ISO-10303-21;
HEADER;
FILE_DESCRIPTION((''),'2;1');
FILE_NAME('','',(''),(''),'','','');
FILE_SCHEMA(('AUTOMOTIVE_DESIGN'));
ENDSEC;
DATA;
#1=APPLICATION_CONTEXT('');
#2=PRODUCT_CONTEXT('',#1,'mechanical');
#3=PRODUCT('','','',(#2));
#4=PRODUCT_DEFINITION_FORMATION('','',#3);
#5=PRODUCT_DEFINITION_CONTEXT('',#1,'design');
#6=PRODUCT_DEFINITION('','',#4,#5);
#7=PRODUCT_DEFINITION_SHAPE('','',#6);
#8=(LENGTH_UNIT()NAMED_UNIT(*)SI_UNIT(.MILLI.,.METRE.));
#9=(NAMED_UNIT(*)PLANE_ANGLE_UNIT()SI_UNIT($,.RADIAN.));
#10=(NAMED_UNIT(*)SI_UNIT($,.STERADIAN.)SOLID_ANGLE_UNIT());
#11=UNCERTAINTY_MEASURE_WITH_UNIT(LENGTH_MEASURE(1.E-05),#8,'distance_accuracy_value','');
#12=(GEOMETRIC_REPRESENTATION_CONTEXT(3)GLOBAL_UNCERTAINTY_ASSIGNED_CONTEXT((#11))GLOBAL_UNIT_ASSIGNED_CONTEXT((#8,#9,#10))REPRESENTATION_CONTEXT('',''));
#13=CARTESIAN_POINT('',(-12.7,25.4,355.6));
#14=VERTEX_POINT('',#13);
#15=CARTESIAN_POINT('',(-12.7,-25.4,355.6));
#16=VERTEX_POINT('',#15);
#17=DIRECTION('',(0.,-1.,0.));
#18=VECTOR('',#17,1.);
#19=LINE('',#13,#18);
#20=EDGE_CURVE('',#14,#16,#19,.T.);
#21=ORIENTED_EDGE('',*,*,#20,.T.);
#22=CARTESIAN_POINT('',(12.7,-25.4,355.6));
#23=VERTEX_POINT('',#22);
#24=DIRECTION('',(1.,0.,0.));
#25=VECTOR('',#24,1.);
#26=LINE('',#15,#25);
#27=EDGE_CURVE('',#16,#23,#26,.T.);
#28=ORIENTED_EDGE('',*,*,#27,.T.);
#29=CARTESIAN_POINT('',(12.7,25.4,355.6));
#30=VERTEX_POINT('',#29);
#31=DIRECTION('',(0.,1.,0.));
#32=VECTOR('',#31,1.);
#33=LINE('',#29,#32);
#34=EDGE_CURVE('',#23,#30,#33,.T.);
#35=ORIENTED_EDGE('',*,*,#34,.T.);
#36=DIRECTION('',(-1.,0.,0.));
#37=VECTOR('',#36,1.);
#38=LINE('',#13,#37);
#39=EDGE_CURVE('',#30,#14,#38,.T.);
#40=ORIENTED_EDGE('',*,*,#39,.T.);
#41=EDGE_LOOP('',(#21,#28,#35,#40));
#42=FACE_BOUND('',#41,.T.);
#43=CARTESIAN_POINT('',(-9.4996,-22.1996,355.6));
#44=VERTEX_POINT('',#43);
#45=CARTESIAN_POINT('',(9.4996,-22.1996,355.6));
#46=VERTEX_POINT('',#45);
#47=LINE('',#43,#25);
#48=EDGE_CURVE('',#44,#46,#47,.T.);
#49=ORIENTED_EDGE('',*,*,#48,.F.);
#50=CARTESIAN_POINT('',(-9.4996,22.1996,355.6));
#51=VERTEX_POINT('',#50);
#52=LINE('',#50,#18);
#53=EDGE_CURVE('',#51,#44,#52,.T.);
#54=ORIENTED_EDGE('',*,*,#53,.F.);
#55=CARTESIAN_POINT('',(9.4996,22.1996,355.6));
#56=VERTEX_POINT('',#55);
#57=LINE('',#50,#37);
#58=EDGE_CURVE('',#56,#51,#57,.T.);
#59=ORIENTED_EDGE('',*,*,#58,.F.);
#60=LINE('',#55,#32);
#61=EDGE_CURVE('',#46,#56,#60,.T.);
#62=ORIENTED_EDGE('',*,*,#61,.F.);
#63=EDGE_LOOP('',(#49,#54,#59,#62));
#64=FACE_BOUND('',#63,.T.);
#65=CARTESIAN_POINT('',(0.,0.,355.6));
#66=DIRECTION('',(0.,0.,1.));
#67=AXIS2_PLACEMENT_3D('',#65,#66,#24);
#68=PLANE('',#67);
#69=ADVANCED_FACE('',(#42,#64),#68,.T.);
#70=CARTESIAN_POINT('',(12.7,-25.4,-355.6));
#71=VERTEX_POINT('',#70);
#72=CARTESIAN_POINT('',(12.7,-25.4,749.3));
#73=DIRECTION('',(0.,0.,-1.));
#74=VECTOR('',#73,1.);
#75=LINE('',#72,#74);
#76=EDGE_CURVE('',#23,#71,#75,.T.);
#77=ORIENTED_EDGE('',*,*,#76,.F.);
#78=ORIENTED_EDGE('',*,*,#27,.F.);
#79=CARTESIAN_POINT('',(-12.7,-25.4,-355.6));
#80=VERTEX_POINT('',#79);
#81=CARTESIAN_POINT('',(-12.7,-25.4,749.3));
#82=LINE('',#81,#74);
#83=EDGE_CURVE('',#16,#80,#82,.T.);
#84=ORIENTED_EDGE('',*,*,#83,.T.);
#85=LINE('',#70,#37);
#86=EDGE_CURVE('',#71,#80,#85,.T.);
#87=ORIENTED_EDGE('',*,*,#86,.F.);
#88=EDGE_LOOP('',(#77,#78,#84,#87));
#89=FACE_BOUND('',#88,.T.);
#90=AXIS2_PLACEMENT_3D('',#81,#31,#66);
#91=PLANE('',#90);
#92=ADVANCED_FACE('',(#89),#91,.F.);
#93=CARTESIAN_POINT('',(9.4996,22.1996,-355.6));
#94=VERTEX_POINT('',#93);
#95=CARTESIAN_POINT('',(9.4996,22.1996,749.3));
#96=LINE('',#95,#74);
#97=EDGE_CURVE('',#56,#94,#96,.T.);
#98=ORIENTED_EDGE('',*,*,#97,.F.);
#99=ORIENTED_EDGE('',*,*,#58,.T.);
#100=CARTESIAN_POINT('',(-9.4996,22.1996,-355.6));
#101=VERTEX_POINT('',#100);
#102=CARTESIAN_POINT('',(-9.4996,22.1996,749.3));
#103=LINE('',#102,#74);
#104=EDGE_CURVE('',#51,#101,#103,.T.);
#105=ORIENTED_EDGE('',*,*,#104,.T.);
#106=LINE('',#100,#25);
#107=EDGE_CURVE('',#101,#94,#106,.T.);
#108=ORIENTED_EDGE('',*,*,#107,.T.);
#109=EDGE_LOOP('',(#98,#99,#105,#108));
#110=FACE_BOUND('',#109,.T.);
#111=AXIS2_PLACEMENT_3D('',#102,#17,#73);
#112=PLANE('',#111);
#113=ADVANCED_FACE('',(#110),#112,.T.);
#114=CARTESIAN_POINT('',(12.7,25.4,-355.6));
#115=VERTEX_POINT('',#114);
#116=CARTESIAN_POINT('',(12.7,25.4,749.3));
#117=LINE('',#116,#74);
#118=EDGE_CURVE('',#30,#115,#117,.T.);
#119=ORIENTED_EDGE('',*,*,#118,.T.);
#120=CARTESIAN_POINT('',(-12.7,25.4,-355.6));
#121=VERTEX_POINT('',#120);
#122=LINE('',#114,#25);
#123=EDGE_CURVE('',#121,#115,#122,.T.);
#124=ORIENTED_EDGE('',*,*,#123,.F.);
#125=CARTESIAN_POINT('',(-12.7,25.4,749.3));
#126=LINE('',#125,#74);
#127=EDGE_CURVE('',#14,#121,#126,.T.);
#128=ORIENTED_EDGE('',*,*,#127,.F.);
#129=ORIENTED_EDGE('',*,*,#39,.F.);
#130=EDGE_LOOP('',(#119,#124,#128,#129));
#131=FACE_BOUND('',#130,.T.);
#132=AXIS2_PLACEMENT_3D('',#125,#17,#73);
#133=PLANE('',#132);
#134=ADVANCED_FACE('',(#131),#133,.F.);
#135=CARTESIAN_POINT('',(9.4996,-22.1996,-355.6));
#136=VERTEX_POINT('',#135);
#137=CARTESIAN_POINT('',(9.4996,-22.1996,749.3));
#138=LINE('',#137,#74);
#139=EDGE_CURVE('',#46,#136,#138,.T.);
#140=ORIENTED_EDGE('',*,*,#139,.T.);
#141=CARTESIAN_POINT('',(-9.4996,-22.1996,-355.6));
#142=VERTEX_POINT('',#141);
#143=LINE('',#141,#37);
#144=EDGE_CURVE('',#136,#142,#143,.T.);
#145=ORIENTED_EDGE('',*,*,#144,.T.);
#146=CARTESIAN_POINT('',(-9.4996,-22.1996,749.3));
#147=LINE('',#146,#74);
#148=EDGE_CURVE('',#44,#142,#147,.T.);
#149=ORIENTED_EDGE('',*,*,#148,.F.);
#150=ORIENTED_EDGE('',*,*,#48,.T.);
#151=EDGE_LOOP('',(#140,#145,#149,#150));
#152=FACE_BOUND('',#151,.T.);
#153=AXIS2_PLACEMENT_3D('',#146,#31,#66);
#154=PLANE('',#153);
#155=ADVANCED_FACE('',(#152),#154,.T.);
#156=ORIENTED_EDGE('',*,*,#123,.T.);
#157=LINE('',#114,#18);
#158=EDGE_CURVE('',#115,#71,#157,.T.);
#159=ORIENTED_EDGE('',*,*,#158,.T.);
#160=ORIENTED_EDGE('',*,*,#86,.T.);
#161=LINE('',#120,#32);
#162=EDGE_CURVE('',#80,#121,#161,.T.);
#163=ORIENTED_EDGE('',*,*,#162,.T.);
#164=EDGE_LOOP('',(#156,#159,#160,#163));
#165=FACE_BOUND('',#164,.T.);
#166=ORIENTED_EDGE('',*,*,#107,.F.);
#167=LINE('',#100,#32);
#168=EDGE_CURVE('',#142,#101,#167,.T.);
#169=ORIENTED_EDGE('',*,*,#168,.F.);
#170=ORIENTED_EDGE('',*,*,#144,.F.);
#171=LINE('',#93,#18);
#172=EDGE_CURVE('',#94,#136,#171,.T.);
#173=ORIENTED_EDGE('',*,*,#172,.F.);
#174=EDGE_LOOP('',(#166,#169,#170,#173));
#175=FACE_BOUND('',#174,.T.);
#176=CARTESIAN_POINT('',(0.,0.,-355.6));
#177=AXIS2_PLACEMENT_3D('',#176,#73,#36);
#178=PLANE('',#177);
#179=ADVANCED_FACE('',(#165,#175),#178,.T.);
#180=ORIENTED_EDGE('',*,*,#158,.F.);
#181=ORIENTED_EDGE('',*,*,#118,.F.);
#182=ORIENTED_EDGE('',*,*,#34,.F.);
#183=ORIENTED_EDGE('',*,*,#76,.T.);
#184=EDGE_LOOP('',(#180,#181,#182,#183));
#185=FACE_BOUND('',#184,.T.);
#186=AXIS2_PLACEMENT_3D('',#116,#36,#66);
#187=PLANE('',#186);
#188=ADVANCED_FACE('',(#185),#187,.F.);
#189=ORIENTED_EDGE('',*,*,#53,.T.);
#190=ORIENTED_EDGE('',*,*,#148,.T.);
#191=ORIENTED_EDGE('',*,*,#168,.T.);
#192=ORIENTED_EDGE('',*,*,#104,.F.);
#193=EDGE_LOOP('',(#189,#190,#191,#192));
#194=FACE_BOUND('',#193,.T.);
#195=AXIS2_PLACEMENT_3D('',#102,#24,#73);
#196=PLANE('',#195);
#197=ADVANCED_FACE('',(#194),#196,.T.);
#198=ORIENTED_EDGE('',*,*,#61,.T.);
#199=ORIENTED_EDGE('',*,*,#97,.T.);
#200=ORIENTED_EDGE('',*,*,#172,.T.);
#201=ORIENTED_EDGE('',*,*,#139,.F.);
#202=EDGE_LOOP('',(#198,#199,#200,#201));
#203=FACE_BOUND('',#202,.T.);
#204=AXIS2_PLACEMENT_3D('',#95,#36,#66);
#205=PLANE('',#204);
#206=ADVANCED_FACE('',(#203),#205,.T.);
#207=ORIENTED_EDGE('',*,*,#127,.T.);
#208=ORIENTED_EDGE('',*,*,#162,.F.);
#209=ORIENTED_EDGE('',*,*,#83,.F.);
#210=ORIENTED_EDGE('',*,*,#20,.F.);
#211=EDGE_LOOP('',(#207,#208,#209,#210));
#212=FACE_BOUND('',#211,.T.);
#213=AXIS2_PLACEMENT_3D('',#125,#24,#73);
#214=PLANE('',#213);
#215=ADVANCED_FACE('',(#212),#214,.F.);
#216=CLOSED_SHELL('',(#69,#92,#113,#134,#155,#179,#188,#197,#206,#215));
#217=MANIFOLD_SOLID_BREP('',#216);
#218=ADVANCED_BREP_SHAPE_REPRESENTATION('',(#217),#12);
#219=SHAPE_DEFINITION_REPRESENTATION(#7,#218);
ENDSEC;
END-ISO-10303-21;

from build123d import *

# Parameters (mm, degrees)
SKETCH1_W           = 25.4
SKETCH1_H           = 50.8
SKETCH1_W_2         = 18.9992
SKETCH1_H_2         = 44.3992
BOSS_EXTRUDE1_DEPTH = 749.3
SKETCH2_W           = 25.4
SKETCH2_H           = 50.8
CUT_EXTRUDE1_DEPTH  = 393.7
SKETCH3_W           = 25.4
SKETCH3_H           = 50.8
CUT_EXTRUDE2_DEPTH  = 393.7


with BuildPart() as part:
    # Sketch1 → Boss-Extrude1 (new, symmetric)
    with BuildSketch(Plane.XY):
        Rectangle(SKETCH1_W, SKETCH1_H)
        Rectangle(SKETCH1_W_2, SKETCH1_H_2, mode=Mode.SUBTRACT)
    extrude(amount=BOSS_EXTRUDE1_DEPTH, both=True)

    # Sketch2 → Cut-Extrude1 (cut)
    with BuildSketch(Plane.XY.offset(749.3)):
        Rectangle(SKETCH2_W, SKETCH2_H)
    extrude(amount=-CUT_EXTRUDE1_DEPTH, mode=Mode.SUBTRACT)

    # Sketch3 → Cut-Extrude2 (cut)
    with BuildSketch(Plane(origin=(0, 0, -749.3), x_dir=(-1, 0, 0), z_dir=(0, 0, -1))):
        Rectangle(SKETCH3_W, SKETCH3_H)
    extrude(amount=-CUT_EXTRUDE2_DEPTH, mode=Mode.SUBTRACT)


solid = part.part
